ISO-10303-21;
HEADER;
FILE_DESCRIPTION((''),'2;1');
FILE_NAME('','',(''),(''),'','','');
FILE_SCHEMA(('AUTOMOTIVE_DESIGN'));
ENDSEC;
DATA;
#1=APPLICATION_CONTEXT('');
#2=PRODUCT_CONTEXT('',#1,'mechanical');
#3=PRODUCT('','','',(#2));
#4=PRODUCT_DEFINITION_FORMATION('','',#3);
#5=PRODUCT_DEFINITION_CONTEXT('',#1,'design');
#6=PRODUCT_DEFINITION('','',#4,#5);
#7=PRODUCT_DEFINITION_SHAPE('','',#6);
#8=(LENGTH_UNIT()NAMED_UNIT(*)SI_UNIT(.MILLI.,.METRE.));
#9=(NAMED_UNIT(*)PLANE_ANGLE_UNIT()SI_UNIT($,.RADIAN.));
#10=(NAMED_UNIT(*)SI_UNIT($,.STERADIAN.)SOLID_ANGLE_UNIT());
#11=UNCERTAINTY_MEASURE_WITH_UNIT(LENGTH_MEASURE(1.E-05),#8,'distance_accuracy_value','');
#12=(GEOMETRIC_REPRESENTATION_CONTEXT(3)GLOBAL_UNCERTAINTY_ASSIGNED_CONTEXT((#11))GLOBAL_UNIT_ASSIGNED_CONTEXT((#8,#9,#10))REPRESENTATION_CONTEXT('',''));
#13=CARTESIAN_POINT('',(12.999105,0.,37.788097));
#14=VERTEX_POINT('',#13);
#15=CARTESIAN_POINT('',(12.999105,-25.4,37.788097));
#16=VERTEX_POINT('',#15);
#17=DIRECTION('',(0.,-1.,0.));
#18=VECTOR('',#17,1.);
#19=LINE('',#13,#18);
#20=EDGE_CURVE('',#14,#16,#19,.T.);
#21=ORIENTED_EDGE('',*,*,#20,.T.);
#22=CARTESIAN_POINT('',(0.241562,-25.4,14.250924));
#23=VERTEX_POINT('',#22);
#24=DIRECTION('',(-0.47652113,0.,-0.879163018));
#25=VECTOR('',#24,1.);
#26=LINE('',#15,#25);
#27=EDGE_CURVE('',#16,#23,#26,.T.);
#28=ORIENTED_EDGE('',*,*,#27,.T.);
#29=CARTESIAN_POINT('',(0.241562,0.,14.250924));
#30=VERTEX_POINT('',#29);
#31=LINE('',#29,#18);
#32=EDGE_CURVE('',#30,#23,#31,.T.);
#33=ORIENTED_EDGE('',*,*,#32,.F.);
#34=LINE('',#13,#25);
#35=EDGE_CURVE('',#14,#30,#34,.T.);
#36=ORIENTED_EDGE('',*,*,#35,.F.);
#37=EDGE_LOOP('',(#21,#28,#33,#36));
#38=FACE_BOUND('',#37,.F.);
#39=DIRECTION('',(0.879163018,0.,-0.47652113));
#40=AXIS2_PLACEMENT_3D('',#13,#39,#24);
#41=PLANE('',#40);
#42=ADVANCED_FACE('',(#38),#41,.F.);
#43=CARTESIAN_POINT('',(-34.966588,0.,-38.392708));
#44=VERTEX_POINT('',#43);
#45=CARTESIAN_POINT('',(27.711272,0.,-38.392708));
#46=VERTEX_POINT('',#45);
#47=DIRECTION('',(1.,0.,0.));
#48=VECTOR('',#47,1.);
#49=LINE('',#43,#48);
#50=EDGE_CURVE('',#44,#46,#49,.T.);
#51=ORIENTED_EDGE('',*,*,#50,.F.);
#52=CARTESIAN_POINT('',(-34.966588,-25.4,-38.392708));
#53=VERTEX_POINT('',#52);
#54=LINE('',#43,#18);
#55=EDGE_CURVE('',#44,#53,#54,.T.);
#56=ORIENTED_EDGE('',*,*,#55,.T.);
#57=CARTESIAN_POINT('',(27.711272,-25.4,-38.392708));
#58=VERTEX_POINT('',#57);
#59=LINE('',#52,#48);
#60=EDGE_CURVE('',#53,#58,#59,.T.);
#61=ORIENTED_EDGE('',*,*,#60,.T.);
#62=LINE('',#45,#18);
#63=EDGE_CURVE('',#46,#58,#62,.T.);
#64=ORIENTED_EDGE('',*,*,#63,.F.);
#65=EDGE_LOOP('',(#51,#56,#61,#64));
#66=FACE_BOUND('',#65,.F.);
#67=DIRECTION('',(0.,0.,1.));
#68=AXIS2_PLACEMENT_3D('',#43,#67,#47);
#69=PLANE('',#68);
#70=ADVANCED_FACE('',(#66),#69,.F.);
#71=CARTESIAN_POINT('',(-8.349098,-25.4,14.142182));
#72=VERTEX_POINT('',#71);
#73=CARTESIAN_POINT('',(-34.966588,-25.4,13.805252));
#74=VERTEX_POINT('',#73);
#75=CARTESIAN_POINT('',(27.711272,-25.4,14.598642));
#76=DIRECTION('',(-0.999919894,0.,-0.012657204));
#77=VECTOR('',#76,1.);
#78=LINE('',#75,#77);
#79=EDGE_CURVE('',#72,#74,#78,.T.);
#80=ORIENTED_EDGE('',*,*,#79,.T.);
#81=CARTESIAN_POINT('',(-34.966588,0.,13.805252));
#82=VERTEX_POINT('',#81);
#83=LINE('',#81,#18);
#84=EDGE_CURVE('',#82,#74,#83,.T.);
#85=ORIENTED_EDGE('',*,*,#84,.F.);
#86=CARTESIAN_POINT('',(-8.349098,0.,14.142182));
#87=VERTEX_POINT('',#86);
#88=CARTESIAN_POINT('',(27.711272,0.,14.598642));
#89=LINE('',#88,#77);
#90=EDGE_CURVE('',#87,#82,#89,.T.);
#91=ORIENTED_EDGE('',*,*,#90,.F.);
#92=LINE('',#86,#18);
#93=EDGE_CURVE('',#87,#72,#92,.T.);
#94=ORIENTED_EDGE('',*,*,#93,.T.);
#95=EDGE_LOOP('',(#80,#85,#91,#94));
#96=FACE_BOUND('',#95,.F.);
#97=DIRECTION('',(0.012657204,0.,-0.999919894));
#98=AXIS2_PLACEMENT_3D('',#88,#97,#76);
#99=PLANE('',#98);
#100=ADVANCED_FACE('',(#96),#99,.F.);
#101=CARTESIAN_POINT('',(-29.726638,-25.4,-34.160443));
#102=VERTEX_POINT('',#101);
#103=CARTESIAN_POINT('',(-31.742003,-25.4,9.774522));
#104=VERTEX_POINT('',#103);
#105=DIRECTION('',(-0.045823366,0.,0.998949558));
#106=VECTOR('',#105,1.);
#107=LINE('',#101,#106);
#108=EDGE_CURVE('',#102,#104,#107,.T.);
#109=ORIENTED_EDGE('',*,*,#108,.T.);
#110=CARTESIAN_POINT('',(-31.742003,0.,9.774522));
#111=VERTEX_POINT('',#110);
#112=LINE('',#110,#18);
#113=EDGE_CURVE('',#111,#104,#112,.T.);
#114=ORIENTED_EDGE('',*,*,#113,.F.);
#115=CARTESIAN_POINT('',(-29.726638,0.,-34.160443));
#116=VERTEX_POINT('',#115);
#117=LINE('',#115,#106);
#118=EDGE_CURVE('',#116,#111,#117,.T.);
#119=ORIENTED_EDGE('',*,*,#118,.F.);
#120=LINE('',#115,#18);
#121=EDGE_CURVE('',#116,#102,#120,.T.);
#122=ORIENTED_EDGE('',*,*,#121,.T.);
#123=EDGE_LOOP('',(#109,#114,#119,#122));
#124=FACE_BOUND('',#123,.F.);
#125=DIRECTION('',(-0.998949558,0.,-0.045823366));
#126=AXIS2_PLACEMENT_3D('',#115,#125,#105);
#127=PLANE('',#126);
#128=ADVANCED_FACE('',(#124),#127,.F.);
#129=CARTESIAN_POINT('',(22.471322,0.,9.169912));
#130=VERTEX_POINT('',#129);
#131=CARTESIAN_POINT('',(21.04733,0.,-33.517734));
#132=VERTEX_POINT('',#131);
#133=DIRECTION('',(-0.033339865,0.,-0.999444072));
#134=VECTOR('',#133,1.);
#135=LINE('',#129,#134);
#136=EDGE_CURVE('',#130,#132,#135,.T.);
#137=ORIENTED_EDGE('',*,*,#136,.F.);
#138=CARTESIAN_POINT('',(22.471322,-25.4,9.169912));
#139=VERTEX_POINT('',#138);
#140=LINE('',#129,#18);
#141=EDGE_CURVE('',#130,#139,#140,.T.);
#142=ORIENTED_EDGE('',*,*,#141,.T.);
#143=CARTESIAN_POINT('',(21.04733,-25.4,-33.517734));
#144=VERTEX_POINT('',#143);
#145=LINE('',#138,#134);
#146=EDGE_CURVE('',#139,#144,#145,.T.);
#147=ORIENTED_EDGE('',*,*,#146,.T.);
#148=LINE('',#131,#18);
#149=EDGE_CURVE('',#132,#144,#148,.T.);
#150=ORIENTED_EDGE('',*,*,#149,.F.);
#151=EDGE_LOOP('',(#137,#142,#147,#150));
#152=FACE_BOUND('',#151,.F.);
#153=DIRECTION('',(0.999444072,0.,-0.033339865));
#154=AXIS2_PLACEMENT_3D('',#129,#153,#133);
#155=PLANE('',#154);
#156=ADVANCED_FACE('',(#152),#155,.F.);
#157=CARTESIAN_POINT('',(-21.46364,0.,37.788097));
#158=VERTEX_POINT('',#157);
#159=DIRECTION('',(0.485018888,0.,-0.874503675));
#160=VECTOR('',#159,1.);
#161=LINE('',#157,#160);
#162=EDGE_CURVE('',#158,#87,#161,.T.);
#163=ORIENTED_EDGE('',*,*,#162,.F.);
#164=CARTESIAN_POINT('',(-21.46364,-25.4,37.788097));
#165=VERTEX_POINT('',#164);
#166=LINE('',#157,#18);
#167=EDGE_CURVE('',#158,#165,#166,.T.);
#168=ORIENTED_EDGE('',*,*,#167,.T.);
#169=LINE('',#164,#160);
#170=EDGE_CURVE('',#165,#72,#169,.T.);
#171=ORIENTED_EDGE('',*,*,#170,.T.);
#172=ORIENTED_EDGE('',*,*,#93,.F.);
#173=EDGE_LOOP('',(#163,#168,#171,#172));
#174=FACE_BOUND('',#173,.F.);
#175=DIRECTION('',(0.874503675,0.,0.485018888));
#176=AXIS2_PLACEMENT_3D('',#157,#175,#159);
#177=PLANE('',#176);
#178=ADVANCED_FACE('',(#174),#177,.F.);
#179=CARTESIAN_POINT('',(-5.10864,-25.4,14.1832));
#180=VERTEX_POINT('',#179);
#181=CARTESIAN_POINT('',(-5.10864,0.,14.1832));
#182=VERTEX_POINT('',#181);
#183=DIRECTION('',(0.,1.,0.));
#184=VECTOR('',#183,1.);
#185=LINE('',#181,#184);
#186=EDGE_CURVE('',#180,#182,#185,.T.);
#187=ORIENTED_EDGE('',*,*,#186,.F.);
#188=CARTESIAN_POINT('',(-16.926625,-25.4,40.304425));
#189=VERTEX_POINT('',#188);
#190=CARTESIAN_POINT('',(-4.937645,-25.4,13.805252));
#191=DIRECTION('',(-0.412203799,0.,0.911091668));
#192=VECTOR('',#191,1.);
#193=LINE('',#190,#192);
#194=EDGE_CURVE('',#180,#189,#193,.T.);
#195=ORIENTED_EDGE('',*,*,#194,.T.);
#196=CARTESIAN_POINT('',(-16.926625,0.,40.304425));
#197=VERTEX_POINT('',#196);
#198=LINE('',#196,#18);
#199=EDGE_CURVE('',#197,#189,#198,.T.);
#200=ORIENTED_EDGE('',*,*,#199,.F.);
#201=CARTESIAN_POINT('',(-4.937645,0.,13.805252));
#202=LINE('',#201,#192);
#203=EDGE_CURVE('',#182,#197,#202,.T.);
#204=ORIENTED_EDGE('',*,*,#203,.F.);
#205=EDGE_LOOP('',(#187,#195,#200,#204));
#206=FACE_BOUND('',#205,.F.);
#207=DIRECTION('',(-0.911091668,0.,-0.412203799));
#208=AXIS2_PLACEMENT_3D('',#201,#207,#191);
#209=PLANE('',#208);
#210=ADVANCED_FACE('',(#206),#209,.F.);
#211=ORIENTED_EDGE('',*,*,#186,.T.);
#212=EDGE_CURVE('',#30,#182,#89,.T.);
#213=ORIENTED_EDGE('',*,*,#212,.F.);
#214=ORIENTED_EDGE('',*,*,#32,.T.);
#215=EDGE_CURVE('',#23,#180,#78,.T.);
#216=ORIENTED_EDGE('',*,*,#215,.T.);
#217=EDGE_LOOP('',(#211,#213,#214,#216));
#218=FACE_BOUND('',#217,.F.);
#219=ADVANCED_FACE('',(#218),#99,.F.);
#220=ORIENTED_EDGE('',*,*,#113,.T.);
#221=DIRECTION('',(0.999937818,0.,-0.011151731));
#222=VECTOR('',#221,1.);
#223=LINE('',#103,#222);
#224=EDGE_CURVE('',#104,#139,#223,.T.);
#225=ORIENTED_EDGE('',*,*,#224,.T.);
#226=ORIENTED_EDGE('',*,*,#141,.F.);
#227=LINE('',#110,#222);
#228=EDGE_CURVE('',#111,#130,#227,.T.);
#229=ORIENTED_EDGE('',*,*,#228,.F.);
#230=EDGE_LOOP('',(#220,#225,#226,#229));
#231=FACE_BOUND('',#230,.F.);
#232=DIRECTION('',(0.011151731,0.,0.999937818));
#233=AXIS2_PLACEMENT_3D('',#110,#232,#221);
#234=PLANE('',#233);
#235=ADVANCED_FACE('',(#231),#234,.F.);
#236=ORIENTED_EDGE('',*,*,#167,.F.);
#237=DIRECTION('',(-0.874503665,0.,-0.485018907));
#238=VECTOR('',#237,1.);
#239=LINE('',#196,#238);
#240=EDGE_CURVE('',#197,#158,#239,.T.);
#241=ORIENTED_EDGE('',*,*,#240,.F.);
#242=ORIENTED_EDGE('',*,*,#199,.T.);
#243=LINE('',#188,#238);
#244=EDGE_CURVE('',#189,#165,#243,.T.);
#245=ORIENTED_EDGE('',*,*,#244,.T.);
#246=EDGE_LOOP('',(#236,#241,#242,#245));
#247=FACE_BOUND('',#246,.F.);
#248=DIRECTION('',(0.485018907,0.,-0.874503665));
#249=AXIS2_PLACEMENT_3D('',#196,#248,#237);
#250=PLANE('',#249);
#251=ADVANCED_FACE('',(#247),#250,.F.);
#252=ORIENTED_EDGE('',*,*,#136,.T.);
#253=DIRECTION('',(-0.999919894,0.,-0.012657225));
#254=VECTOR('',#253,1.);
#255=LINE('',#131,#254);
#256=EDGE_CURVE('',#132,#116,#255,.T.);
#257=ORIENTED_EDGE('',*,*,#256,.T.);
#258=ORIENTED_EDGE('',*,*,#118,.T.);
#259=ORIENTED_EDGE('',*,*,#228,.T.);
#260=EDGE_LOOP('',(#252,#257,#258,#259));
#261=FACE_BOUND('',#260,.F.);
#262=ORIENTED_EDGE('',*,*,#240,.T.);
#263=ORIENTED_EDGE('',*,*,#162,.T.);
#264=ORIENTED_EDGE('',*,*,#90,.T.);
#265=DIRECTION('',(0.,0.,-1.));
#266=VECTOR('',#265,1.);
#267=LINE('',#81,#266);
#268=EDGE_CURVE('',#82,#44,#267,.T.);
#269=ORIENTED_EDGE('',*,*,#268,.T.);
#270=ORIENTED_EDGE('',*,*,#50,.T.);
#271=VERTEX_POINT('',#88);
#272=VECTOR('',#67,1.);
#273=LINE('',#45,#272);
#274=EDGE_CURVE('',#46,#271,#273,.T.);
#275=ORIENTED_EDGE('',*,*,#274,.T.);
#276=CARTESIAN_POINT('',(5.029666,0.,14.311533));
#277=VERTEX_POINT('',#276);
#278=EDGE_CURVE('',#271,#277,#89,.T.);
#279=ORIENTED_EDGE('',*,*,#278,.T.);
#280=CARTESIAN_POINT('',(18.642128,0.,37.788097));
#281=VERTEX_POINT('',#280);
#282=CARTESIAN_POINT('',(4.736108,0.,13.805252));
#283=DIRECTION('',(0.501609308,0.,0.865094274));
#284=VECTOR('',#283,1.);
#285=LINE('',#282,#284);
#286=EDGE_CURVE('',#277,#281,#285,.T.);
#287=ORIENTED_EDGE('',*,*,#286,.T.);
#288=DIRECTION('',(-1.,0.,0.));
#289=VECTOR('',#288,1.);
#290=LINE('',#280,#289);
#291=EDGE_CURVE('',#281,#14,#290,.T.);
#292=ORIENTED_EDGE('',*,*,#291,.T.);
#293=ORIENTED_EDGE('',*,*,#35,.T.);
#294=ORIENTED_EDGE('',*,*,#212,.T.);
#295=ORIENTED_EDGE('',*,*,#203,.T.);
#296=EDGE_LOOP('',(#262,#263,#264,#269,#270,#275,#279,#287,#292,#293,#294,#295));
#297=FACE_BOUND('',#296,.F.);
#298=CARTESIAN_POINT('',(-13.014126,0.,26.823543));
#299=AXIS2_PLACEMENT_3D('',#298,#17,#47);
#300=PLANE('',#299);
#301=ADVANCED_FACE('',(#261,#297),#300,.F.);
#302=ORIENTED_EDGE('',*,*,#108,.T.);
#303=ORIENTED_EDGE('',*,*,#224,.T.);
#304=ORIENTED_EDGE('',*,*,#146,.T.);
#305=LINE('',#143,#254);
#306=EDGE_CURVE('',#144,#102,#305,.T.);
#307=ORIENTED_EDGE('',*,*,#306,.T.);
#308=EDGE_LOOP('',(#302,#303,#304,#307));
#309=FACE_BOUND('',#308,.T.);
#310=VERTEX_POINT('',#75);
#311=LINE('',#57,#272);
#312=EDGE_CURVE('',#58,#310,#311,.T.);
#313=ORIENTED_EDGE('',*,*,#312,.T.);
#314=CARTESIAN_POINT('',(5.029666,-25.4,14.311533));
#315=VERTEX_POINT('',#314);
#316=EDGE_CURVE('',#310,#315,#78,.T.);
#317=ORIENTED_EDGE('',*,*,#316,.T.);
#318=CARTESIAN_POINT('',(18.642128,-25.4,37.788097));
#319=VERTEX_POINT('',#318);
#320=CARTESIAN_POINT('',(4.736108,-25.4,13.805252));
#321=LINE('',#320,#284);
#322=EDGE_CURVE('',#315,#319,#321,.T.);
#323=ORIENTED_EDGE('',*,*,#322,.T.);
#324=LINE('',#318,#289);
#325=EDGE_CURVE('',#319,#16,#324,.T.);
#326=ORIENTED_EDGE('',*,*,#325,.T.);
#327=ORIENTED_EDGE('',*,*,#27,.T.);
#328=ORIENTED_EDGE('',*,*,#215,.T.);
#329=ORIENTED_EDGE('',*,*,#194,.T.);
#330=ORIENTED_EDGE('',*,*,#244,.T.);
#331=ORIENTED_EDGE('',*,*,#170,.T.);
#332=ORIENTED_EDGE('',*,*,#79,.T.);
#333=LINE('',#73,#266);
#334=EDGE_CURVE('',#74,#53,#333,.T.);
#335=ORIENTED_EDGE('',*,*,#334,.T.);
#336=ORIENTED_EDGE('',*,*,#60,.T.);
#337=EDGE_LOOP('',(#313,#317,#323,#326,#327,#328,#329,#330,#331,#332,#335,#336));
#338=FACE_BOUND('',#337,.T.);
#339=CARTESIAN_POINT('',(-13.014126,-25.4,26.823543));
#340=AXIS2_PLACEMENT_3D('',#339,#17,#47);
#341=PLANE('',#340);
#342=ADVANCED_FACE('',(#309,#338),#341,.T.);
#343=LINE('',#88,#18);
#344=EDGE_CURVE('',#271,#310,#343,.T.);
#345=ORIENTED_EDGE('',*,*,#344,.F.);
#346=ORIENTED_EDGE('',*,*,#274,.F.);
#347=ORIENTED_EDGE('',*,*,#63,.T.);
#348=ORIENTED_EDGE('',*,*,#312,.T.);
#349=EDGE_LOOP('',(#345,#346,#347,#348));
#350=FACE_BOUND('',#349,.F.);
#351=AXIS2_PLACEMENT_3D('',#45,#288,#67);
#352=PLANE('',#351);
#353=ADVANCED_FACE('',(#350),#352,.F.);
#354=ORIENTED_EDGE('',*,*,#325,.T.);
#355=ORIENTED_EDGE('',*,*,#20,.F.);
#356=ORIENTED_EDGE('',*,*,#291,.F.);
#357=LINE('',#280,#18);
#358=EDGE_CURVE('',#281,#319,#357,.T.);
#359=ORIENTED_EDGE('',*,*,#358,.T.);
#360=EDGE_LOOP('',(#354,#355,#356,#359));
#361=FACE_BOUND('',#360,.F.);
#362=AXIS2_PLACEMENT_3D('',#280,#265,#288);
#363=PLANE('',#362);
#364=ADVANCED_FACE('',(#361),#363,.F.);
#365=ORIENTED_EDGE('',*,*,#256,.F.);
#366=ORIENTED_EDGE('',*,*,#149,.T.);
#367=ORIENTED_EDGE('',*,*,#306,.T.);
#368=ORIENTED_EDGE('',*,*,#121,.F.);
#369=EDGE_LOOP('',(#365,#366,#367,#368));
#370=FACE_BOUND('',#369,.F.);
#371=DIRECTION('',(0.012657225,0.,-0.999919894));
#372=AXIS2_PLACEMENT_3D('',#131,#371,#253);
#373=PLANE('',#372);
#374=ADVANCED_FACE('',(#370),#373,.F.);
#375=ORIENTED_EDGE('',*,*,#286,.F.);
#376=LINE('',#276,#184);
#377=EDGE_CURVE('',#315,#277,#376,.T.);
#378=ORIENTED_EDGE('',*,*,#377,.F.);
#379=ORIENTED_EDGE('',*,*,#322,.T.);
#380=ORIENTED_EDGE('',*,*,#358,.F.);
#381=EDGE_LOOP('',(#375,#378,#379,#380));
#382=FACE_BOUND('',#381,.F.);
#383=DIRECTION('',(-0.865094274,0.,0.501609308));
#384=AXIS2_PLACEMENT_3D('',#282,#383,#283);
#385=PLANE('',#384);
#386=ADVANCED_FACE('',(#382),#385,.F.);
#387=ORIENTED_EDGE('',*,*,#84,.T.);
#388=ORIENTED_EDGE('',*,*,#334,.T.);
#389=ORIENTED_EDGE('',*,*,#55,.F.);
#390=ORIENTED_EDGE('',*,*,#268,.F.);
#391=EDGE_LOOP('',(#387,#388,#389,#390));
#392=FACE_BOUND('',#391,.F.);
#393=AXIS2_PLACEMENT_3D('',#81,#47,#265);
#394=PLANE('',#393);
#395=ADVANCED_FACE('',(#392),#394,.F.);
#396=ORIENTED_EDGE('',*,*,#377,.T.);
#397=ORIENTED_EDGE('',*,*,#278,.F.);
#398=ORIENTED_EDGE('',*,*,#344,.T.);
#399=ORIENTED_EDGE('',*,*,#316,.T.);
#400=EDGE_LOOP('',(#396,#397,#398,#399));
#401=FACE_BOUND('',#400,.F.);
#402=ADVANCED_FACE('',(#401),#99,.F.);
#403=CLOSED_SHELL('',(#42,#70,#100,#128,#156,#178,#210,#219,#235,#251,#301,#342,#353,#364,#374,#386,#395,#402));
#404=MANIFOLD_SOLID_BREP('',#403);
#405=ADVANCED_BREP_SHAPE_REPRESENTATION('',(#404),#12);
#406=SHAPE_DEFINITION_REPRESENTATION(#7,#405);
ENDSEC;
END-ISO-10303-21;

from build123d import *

# Parameters (mm, degrees)
F1_DEPTH = 25.4
F3_DEPTH = 25.4


with BuildPart() as f1:
    # F0 (on Front) → F1 (new body)
    with BuildSketch(Plane.XZ):
        Polygon((27.711272, 14.598642), (-34.966588, 13.805252), (-34.966588, -38.392708), (27.711272, -38.392708), align=None)
        Polygon((-29.726638, -34.160443), (-31.742003, 9.774522), (22.471322, 9.169912), (21.04733, -33.517734), align=None, mode=Mode.SUBTRACT)
    extrude(amount=F1_DEPTH)

    # F2 (on Front) → F3 (join)
    with BuildSketch(Plane.XZ):
        Polygon((-21.46364, 37.788097), (-8.162229, 13.805252), (-4.937645, 13.805252), (-16.926625, 40.304425), align=None)
        Polygon((12.999105, 37.788097), (0, 13.805252), (4.736108, 13.805252), (18.642128, 37.788097), align=None)
    extrude(amount=F3_DEPTH)


solid = f1.part
